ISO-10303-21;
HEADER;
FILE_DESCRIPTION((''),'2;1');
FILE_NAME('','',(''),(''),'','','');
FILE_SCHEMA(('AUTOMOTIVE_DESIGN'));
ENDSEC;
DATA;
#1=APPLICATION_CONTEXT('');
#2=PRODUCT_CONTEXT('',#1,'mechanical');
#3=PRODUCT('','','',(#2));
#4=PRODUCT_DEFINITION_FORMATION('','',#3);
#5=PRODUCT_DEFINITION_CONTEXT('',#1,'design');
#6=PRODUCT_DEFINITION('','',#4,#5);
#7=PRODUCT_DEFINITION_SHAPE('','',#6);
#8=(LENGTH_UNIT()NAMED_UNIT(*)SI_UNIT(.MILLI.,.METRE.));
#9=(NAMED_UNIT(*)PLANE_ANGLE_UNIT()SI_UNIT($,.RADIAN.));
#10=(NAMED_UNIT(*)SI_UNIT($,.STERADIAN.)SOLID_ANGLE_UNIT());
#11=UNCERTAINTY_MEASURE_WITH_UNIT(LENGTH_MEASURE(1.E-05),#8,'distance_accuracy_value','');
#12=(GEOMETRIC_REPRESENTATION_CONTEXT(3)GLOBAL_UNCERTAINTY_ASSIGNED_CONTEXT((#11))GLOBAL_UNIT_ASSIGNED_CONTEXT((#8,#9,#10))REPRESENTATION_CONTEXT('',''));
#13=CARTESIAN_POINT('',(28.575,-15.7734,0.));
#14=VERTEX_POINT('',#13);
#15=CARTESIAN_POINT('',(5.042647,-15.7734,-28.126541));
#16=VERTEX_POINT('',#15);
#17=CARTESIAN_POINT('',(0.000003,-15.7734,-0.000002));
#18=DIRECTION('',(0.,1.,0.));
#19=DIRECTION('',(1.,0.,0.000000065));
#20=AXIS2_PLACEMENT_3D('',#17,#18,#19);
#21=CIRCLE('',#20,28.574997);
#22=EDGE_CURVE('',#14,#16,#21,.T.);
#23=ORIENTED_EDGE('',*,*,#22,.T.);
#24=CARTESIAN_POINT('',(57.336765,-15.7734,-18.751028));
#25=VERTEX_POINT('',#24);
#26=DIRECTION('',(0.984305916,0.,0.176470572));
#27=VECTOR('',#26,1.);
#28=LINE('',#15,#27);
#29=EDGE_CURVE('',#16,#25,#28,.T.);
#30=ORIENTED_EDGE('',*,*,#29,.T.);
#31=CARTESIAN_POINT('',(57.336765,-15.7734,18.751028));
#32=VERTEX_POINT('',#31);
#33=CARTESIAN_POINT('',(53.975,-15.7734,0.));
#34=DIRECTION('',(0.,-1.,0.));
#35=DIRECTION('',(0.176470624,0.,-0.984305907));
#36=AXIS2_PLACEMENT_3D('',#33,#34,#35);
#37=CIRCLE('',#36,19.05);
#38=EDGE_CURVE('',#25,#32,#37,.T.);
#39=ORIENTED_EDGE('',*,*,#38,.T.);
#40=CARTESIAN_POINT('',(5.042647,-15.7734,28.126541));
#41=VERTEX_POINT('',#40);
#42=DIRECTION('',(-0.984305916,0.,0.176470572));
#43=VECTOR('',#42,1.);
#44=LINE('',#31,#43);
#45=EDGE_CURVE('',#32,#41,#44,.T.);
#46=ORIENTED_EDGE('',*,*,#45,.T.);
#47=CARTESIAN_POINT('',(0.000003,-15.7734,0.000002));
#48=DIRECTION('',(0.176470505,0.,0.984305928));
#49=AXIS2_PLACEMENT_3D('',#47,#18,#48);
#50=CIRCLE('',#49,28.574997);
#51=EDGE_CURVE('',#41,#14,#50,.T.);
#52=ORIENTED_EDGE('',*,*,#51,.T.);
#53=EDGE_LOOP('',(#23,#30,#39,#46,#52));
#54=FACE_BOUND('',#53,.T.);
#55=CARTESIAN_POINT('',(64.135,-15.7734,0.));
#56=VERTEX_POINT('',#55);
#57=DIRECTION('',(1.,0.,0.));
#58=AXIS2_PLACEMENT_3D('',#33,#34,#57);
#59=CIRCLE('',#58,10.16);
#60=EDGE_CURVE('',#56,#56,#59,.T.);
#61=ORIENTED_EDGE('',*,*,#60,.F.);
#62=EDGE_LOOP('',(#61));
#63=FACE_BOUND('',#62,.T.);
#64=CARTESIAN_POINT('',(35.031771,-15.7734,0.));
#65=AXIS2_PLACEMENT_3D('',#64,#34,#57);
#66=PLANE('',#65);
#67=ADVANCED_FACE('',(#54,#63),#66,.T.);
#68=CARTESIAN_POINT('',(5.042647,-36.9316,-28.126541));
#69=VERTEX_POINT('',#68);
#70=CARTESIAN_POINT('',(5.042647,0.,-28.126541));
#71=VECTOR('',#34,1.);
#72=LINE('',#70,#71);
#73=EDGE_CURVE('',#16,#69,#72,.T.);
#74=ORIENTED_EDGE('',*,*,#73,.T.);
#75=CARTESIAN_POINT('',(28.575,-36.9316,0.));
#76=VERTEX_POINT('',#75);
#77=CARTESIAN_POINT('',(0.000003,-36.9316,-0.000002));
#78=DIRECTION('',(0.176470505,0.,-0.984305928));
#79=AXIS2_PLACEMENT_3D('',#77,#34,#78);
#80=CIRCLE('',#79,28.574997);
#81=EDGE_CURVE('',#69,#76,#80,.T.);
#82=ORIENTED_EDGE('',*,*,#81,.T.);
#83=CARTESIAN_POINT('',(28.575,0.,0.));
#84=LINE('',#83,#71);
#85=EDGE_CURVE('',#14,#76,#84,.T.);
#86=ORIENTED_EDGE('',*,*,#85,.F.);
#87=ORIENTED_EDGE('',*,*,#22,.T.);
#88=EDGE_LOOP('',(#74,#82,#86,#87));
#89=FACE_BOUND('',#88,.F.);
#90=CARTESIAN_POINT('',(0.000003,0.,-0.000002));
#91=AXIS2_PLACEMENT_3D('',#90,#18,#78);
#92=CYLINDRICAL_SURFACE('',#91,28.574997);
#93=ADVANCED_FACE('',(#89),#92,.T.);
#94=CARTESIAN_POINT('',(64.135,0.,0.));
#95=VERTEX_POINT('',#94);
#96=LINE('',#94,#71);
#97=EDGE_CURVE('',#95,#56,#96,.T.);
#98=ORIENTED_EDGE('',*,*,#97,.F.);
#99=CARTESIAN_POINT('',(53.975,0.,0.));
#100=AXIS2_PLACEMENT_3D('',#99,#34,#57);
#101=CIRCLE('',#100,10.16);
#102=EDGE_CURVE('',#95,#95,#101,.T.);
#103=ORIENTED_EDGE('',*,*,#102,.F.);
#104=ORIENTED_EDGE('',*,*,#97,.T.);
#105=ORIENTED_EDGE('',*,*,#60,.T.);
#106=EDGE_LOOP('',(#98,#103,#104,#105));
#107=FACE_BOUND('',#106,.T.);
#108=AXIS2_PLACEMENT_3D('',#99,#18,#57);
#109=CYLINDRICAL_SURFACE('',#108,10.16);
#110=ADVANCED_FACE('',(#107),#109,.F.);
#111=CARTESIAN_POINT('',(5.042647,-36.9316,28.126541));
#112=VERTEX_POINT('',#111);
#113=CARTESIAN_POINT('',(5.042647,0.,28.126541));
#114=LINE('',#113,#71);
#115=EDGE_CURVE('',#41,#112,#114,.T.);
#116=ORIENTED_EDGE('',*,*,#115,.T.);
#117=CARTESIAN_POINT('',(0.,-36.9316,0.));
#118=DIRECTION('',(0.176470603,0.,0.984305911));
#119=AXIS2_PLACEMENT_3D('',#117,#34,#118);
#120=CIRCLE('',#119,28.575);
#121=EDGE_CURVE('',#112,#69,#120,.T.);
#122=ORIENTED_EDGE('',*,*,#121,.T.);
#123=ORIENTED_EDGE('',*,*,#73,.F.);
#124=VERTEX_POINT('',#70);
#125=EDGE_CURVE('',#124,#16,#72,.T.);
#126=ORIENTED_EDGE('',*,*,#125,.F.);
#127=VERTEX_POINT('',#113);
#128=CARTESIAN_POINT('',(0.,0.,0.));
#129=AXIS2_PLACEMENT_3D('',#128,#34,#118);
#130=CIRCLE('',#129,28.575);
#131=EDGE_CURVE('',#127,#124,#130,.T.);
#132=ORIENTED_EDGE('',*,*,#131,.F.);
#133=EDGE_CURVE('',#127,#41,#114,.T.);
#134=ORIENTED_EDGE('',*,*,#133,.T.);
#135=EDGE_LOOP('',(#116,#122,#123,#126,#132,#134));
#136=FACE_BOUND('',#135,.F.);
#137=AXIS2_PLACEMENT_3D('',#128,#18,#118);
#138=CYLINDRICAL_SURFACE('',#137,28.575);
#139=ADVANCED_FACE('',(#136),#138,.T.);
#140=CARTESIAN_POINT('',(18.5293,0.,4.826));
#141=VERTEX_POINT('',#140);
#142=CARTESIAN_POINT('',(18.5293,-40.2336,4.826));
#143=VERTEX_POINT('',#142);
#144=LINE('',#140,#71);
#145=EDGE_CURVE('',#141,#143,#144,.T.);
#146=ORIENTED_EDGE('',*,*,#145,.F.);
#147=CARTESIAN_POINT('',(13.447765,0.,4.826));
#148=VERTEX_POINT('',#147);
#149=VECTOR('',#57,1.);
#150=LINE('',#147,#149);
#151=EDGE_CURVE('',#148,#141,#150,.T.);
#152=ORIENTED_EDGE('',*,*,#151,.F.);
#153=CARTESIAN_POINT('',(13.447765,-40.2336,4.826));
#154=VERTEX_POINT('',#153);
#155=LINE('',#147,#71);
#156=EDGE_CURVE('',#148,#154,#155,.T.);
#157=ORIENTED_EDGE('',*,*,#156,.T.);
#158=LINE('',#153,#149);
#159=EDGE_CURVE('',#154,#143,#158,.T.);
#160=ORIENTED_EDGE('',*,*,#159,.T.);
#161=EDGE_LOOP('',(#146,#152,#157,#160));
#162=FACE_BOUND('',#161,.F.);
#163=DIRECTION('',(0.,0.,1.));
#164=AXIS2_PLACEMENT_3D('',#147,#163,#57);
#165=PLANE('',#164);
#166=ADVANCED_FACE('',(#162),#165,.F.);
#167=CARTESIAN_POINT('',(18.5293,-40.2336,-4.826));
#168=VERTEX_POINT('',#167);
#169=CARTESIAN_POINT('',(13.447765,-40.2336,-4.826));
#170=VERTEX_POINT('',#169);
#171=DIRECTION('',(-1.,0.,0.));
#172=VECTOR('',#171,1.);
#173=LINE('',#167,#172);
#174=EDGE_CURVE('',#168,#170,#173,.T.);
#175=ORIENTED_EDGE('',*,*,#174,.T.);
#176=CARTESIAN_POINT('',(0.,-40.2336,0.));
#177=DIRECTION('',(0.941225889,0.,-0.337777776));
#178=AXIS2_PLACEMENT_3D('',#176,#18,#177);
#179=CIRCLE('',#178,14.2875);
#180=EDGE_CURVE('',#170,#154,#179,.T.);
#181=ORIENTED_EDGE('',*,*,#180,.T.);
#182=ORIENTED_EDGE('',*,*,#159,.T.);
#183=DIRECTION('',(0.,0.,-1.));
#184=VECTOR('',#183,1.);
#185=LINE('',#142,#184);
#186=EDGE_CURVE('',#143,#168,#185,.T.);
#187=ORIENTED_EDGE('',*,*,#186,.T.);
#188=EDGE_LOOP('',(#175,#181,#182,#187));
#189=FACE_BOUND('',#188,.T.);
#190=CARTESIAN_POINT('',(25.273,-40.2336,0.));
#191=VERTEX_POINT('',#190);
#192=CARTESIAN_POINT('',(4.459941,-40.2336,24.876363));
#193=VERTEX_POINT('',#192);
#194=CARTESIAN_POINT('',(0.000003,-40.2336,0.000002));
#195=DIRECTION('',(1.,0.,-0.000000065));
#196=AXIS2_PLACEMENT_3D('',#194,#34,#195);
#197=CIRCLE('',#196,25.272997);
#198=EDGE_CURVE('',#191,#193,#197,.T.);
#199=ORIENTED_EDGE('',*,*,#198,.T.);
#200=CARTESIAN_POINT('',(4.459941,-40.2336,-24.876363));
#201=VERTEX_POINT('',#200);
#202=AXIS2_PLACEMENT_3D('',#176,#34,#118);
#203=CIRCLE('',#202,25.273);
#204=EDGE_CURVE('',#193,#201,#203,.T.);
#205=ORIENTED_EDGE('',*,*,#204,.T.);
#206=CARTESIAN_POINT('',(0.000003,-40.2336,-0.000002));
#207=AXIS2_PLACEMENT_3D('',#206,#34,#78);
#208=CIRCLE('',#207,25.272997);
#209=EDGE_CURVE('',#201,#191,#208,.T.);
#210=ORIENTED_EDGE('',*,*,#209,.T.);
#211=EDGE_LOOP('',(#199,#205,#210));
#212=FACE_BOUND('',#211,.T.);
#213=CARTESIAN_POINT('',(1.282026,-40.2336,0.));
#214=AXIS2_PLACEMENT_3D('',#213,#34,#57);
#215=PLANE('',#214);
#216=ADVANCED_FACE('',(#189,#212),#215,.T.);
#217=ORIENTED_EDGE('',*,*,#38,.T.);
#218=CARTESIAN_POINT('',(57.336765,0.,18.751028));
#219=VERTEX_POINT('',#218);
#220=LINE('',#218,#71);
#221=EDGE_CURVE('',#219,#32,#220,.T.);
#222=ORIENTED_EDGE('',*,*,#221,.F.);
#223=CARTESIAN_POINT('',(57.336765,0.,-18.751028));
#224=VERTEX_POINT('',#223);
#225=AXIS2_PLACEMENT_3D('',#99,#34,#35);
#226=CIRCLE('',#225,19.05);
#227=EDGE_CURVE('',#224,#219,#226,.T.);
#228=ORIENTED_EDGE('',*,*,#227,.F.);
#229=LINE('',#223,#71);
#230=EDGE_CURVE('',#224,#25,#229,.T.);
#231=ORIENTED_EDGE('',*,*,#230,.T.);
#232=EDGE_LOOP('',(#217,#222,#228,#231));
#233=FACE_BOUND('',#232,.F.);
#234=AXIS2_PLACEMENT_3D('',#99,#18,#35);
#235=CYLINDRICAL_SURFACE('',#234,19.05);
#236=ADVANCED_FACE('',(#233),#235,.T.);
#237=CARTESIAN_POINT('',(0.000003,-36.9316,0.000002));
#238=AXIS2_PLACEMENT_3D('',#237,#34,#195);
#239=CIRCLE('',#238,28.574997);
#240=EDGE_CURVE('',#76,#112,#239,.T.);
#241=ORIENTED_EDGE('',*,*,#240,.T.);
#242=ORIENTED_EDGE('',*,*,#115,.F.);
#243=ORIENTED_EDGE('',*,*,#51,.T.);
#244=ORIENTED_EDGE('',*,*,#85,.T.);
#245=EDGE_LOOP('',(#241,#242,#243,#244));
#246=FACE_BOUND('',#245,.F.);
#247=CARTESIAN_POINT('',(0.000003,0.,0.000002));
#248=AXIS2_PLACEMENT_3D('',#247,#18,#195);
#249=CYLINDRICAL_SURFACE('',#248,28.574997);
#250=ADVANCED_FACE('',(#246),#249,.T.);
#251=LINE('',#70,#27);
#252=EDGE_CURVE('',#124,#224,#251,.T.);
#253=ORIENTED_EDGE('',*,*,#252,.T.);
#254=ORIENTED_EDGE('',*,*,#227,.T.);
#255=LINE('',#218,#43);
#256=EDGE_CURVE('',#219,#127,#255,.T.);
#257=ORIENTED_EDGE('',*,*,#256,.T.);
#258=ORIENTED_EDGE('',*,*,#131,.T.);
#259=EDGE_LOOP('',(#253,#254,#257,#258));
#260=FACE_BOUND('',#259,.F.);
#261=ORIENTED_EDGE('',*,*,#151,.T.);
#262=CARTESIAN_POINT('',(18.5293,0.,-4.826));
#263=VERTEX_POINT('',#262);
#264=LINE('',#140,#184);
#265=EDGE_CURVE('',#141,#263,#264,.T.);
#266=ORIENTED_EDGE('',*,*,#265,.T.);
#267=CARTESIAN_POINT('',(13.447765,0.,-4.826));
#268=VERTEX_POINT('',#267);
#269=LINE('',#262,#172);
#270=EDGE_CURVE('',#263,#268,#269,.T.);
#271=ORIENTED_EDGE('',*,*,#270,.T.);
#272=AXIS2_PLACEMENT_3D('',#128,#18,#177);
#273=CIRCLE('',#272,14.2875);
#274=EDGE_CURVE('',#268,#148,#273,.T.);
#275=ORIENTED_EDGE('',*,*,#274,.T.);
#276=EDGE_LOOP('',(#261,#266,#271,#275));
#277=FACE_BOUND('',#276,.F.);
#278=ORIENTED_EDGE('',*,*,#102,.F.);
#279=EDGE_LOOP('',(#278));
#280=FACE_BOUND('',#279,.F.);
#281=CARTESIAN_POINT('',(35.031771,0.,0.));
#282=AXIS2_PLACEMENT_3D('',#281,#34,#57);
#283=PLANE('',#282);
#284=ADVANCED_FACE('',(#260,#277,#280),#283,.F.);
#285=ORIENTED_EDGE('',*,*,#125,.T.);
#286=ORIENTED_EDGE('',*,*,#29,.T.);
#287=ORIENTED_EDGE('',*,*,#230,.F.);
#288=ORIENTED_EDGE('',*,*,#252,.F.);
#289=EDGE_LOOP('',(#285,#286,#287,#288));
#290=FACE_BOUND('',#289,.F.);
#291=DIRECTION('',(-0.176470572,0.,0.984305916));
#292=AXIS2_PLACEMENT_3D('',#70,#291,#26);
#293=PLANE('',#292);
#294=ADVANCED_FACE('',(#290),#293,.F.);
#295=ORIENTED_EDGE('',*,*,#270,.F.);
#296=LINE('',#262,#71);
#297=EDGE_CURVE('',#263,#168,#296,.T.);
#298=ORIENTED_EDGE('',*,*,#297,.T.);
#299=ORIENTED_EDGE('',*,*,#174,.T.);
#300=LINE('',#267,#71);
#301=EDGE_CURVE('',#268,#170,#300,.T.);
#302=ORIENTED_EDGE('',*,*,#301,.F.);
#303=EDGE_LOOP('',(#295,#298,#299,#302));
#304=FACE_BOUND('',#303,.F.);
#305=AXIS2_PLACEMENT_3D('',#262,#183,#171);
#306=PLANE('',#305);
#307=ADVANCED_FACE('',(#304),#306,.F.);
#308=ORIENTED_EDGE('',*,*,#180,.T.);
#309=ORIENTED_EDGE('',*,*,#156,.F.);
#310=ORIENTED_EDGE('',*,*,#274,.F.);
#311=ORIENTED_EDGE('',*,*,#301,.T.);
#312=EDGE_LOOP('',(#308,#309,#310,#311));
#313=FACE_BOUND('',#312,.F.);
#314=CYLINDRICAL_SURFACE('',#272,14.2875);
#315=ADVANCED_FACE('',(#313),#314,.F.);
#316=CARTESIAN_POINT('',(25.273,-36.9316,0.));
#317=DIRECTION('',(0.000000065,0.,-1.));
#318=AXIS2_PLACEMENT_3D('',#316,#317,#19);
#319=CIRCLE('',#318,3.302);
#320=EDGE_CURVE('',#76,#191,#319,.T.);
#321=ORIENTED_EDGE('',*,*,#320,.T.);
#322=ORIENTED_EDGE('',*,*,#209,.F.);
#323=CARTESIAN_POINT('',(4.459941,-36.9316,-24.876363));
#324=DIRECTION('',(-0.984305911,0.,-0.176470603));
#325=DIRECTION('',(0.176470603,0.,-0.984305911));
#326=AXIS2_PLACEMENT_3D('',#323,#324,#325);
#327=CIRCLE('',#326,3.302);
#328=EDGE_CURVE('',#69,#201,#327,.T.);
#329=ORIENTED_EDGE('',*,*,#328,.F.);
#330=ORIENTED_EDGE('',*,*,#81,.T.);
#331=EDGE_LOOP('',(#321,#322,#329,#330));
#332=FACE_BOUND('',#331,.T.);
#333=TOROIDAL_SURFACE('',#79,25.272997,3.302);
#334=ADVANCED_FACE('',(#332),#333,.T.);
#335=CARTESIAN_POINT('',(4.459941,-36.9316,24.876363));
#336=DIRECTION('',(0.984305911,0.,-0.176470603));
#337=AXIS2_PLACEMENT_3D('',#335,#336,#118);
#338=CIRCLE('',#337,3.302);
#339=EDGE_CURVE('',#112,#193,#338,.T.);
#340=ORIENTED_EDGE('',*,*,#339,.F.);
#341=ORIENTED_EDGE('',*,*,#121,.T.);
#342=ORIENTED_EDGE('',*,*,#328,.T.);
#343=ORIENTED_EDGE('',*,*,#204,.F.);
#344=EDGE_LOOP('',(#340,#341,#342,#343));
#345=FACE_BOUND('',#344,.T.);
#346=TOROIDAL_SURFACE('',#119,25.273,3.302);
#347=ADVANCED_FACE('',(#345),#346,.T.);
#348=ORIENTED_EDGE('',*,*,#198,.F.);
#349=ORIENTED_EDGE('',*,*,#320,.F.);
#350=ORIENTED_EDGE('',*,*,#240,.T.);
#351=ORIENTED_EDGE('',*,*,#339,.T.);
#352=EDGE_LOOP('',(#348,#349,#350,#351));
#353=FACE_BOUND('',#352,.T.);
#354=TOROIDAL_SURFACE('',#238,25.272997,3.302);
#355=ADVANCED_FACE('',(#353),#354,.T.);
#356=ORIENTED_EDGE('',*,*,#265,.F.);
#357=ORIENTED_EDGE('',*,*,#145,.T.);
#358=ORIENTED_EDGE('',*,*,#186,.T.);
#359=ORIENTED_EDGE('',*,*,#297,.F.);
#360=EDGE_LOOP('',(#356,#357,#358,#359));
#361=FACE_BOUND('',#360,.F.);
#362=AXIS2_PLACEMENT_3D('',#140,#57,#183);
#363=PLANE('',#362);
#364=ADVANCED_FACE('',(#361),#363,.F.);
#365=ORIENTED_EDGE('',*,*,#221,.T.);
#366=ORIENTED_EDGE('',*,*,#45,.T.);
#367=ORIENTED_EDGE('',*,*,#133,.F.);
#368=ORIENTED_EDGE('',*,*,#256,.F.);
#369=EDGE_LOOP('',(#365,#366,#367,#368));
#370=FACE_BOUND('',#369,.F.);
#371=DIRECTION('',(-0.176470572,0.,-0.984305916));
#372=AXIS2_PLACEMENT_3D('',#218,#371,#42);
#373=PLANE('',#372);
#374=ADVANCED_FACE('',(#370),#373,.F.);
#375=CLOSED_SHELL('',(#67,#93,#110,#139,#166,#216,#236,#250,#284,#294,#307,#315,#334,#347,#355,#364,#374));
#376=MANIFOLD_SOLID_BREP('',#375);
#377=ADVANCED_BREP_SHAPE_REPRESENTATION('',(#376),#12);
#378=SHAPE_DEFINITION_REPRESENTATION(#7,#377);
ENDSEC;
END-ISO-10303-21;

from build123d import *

# Parameters (mm, degrees)
F1_DEPTH = 40.2336
F0_R     = 10.16
F2_DEPTH = 15.7734
F3_R     = 3.302


with BuildPart() as f1:
    # F0 (on Front) → F1 (new body)
    with BuildSketch(Plane.XZ):
        with BuildLine():
            ThreePointArc((5.042647, -28.126541), (21.916025, -18.336262), (28.575, 0))
            ThreePointArc((28.575, 0), (21.916025, 18.336262), (5.042647, 28.126541))
            ThreePointArc((5.042647, 28.126541), (-28.575, 0), (5.042647, -28.126541))
        make_face()
        with BuildLine():
            ThreePointArc((13.447765, -4.826), (-14.2875, 0), (13.447765, 4.826))
            Line((13.447765, 4.826), (18.5293, 4.826))
            Line((18.5293, 4.826), (18.5293, -4.826))
            Line((18.5293, -4.826), (13.447765, -4.826))
        make_face(mode=Mode.SUBTRACT)
    extrude(amount=F1_DEPTH)

    # F0 (on Front) → F2 (join)
    with BuildSketch(Plane.XZ):
        with BuildLine():
            ThreePointArc((5.042647, 28.126541), (21.916025, 18.336262), (28.575, 0))
            ThreePointArc((28.575, 0), (21.916025, -18.336262), (5.042647, -28.126541))
            Line((5.042647, -28.126541), (57.336765, -18.751028))
            ThreePointArc((57.336765, -18.751028), (73.025, 0), (57.336765, 18.751028))
            Line((57.336765, 18.751028), (5.042647, 28.126541))
        make_face()
        with Locations((53.975, 0)):
            Circle(F0_R, mode=Mode.SUBTRACT)
    extrude(amount=F2_DEPTH)

    # F3
    f3_edges = [f1.edges().sort_by_distance(p)[0] for p in [
        (-5.042647, -40.2336, 28.126541),
    ]]
    fillet(f3_edges, radius=F3_R)


solid = f1.part
